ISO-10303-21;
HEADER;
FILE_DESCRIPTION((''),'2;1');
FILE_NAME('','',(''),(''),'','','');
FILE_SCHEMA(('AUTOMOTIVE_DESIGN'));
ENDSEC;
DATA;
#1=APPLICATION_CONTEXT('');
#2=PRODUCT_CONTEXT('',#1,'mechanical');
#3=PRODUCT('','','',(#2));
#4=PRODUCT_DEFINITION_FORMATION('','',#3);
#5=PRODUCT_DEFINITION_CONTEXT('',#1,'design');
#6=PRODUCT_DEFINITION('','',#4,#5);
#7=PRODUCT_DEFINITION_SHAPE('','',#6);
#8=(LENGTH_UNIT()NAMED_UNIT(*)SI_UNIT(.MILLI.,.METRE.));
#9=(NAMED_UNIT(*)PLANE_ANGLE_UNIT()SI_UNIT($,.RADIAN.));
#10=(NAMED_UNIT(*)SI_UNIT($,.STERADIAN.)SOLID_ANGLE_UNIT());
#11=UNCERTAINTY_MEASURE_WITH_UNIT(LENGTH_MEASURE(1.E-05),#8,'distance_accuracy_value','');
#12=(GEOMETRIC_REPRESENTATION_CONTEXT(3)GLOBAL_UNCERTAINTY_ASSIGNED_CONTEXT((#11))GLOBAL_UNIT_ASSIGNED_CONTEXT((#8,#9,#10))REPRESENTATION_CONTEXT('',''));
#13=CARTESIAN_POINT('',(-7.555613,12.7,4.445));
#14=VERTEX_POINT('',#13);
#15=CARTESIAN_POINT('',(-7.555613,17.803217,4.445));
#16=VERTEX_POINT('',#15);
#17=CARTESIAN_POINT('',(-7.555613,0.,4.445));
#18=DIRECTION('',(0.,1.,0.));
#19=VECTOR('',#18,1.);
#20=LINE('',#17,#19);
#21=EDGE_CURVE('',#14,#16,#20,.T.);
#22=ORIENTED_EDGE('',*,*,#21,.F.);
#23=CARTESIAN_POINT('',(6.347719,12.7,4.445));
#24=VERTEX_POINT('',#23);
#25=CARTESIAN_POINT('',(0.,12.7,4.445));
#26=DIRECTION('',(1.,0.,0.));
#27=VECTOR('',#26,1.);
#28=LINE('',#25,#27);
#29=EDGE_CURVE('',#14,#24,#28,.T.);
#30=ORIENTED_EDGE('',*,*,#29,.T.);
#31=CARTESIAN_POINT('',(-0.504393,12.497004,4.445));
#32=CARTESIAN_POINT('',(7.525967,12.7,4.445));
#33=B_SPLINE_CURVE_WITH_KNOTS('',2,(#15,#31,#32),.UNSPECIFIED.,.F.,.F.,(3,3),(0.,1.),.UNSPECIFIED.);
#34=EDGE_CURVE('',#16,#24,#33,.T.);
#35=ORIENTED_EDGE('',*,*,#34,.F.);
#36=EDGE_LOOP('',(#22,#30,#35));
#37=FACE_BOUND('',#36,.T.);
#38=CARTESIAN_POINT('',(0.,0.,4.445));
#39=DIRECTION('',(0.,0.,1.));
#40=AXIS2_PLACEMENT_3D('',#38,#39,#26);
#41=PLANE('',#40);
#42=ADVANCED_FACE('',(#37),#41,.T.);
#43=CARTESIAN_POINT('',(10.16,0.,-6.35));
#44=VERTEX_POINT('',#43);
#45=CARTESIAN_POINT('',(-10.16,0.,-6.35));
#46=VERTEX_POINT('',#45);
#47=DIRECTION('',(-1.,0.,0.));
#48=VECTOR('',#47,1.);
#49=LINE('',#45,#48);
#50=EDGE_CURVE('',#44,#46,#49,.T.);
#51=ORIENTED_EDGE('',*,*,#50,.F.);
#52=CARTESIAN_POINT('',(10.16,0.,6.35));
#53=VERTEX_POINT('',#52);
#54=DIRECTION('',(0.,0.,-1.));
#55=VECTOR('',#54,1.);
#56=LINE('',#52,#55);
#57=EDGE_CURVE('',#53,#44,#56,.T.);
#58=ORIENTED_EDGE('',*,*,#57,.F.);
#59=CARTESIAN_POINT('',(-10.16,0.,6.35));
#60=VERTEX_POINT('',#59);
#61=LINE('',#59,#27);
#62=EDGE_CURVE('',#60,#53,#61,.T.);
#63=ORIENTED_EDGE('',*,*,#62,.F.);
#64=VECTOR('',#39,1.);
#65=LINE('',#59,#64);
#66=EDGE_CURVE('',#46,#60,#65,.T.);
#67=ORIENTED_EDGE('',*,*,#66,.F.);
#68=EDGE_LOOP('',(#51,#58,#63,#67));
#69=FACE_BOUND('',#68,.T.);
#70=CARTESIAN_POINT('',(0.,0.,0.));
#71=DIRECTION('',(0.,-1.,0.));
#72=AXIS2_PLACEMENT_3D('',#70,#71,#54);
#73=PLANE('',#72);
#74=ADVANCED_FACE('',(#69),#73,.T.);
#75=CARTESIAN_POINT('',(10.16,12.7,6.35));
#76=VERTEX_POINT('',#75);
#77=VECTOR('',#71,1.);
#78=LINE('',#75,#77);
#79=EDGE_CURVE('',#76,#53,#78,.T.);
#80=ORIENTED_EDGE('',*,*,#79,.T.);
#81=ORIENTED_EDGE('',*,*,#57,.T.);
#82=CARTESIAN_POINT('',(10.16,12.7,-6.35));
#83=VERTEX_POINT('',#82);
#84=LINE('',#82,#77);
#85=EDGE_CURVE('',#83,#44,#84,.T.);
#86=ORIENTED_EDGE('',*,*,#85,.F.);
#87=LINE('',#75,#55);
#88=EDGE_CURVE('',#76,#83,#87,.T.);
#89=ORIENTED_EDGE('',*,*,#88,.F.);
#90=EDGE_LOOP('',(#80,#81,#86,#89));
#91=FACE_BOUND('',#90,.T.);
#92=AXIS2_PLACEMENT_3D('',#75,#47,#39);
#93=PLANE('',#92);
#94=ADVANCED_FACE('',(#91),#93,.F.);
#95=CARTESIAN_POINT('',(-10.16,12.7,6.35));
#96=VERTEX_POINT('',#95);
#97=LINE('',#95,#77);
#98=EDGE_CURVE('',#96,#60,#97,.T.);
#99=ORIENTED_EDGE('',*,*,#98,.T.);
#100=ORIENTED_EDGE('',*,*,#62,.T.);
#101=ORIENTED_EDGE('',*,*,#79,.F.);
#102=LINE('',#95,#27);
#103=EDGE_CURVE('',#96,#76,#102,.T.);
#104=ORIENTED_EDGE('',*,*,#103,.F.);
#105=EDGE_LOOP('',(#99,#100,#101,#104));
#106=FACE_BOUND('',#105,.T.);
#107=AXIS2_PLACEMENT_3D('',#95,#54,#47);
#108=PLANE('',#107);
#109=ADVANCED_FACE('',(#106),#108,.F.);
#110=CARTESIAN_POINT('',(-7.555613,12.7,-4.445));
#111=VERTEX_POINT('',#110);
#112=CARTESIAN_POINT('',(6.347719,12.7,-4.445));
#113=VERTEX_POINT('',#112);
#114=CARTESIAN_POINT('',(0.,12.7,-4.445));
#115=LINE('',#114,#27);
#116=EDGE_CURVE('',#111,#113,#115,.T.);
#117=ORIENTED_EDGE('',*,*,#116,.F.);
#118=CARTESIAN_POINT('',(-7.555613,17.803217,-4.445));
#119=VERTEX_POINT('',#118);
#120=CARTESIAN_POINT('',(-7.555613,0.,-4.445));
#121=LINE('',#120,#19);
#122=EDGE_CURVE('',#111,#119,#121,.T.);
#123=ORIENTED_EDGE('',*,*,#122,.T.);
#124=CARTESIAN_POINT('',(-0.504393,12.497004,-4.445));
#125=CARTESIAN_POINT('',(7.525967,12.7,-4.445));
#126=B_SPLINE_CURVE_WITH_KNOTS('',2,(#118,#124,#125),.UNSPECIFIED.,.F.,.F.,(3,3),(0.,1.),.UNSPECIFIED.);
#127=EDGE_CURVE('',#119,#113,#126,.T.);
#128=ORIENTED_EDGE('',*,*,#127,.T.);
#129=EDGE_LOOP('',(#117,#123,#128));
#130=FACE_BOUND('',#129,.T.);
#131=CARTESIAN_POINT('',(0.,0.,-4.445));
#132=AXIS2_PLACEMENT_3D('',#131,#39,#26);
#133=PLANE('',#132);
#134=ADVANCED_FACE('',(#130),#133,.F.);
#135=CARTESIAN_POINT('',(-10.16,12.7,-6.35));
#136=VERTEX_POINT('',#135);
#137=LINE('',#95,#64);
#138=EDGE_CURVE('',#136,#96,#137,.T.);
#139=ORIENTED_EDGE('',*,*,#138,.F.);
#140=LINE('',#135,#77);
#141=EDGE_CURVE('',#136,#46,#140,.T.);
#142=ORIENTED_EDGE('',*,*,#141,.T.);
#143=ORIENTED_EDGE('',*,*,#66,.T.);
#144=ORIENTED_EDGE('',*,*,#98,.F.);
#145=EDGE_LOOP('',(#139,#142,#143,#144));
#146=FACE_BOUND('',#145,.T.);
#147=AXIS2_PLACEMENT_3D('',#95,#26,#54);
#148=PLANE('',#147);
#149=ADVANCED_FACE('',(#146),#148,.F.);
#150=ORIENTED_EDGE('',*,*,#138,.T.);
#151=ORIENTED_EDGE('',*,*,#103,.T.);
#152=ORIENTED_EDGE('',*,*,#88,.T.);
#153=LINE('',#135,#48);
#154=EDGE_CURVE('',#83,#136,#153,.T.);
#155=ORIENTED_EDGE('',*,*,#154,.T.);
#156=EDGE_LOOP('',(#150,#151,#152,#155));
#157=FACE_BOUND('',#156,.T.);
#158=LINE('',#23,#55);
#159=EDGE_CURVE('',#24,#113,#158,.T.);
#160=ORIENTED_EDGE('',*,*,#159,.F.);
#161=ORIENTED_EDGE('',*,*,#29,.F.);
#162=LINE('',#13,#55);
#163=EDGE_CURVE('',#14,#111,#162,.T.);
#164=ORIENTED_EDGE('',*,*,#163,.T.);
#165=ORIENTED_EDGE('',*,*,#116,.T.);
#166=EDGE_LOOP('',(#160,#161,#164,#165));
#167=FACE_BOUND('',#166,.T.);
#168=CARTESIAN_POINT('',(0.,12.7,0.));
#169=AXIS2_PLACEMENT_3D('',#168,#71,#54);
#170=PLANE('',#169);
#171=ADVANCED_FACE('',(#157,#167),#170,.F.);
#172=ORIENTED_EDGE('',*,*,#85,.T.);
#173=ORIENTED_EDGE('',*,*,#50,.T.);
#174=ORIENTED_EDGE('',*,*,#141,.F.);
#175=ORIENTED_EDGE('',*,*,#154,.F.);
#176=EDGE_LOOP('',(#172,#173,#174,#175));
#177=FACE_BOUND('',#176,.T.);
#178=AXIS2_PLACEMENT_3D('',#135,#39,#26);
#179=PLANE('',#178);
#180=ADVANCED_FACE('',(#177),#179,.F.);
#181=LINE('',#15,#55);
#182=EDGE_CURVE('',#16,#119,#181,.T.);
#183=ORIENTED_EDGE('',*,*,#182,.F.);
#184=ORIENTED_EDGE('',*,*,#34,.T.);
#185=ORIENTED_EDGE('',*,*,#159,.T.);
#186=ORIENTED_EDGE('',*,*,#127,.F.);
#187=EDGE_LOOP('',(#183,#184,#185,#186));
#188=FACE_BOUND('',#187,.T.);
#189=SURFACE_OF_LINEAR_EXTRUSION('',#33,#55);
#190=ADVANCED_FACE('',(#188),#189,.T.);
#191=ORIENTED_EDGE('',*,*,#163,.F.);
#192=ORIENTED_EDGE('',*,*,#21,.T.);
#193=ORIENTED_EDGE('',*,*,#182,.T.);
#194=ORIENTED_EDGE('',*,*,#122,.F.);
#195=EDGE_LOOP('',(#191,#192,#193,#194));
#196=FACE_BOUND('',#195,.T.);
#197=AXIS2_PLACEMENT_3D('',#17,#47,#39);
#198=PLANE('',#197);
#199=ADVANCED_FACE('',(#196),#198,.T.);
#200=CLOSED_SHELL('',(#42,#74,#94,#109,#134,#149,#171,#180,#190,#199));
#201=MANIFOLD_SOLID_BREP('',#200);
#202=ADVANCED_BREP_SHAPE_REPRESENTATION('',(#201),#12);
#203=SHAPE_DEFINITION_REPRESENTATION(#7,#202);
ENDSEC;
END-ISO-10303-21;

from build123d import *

# Parameters (mm, degrees)
SKETCH1_W           = 20.32
SKETCH1_H           = 12.7
BOSS_EXTRUDE1_DEPTH = 12.7
BOSS_EXTRUDE2_DEPTH = 4.445


with BuildPart() as part:
    # Sketch1 → Boss-Extrude1 (new body)
    with BuildSketch(Plane(origin=(0, 0, 0), x_dir=(1, 0, 0), z_dir=(0, 1, 0))):
        Rectangle(SKETCH1_W, SKETCH1_H)
    extrude(amount=BOSS_EXTRUDE1_DEPTH)

    # Sketch2 → Boss-Extrude2 (add, symmetric)
    with BuildSketch(Plane.XY):
        with BuildLine():
            Line((-7.555612539, 17.803216518), (-7.555612539, 12.7))
            Line((-7.555612539, 12.7), (6.347718594, 12.7))
            add(Edge.make_bspline(
                [(-7.555612539, 17.803216518), (-1.024019713, 12.888036176), (6.347718594, 12.7)],
                knots=[0, 0, 0, 0.926306801, 0.926306801, 0.926306801], degree=2))
        make_face()
    extrude(amount=BOSS_EXTRUDE2_DEPTH, both=True)


solid = part.part
